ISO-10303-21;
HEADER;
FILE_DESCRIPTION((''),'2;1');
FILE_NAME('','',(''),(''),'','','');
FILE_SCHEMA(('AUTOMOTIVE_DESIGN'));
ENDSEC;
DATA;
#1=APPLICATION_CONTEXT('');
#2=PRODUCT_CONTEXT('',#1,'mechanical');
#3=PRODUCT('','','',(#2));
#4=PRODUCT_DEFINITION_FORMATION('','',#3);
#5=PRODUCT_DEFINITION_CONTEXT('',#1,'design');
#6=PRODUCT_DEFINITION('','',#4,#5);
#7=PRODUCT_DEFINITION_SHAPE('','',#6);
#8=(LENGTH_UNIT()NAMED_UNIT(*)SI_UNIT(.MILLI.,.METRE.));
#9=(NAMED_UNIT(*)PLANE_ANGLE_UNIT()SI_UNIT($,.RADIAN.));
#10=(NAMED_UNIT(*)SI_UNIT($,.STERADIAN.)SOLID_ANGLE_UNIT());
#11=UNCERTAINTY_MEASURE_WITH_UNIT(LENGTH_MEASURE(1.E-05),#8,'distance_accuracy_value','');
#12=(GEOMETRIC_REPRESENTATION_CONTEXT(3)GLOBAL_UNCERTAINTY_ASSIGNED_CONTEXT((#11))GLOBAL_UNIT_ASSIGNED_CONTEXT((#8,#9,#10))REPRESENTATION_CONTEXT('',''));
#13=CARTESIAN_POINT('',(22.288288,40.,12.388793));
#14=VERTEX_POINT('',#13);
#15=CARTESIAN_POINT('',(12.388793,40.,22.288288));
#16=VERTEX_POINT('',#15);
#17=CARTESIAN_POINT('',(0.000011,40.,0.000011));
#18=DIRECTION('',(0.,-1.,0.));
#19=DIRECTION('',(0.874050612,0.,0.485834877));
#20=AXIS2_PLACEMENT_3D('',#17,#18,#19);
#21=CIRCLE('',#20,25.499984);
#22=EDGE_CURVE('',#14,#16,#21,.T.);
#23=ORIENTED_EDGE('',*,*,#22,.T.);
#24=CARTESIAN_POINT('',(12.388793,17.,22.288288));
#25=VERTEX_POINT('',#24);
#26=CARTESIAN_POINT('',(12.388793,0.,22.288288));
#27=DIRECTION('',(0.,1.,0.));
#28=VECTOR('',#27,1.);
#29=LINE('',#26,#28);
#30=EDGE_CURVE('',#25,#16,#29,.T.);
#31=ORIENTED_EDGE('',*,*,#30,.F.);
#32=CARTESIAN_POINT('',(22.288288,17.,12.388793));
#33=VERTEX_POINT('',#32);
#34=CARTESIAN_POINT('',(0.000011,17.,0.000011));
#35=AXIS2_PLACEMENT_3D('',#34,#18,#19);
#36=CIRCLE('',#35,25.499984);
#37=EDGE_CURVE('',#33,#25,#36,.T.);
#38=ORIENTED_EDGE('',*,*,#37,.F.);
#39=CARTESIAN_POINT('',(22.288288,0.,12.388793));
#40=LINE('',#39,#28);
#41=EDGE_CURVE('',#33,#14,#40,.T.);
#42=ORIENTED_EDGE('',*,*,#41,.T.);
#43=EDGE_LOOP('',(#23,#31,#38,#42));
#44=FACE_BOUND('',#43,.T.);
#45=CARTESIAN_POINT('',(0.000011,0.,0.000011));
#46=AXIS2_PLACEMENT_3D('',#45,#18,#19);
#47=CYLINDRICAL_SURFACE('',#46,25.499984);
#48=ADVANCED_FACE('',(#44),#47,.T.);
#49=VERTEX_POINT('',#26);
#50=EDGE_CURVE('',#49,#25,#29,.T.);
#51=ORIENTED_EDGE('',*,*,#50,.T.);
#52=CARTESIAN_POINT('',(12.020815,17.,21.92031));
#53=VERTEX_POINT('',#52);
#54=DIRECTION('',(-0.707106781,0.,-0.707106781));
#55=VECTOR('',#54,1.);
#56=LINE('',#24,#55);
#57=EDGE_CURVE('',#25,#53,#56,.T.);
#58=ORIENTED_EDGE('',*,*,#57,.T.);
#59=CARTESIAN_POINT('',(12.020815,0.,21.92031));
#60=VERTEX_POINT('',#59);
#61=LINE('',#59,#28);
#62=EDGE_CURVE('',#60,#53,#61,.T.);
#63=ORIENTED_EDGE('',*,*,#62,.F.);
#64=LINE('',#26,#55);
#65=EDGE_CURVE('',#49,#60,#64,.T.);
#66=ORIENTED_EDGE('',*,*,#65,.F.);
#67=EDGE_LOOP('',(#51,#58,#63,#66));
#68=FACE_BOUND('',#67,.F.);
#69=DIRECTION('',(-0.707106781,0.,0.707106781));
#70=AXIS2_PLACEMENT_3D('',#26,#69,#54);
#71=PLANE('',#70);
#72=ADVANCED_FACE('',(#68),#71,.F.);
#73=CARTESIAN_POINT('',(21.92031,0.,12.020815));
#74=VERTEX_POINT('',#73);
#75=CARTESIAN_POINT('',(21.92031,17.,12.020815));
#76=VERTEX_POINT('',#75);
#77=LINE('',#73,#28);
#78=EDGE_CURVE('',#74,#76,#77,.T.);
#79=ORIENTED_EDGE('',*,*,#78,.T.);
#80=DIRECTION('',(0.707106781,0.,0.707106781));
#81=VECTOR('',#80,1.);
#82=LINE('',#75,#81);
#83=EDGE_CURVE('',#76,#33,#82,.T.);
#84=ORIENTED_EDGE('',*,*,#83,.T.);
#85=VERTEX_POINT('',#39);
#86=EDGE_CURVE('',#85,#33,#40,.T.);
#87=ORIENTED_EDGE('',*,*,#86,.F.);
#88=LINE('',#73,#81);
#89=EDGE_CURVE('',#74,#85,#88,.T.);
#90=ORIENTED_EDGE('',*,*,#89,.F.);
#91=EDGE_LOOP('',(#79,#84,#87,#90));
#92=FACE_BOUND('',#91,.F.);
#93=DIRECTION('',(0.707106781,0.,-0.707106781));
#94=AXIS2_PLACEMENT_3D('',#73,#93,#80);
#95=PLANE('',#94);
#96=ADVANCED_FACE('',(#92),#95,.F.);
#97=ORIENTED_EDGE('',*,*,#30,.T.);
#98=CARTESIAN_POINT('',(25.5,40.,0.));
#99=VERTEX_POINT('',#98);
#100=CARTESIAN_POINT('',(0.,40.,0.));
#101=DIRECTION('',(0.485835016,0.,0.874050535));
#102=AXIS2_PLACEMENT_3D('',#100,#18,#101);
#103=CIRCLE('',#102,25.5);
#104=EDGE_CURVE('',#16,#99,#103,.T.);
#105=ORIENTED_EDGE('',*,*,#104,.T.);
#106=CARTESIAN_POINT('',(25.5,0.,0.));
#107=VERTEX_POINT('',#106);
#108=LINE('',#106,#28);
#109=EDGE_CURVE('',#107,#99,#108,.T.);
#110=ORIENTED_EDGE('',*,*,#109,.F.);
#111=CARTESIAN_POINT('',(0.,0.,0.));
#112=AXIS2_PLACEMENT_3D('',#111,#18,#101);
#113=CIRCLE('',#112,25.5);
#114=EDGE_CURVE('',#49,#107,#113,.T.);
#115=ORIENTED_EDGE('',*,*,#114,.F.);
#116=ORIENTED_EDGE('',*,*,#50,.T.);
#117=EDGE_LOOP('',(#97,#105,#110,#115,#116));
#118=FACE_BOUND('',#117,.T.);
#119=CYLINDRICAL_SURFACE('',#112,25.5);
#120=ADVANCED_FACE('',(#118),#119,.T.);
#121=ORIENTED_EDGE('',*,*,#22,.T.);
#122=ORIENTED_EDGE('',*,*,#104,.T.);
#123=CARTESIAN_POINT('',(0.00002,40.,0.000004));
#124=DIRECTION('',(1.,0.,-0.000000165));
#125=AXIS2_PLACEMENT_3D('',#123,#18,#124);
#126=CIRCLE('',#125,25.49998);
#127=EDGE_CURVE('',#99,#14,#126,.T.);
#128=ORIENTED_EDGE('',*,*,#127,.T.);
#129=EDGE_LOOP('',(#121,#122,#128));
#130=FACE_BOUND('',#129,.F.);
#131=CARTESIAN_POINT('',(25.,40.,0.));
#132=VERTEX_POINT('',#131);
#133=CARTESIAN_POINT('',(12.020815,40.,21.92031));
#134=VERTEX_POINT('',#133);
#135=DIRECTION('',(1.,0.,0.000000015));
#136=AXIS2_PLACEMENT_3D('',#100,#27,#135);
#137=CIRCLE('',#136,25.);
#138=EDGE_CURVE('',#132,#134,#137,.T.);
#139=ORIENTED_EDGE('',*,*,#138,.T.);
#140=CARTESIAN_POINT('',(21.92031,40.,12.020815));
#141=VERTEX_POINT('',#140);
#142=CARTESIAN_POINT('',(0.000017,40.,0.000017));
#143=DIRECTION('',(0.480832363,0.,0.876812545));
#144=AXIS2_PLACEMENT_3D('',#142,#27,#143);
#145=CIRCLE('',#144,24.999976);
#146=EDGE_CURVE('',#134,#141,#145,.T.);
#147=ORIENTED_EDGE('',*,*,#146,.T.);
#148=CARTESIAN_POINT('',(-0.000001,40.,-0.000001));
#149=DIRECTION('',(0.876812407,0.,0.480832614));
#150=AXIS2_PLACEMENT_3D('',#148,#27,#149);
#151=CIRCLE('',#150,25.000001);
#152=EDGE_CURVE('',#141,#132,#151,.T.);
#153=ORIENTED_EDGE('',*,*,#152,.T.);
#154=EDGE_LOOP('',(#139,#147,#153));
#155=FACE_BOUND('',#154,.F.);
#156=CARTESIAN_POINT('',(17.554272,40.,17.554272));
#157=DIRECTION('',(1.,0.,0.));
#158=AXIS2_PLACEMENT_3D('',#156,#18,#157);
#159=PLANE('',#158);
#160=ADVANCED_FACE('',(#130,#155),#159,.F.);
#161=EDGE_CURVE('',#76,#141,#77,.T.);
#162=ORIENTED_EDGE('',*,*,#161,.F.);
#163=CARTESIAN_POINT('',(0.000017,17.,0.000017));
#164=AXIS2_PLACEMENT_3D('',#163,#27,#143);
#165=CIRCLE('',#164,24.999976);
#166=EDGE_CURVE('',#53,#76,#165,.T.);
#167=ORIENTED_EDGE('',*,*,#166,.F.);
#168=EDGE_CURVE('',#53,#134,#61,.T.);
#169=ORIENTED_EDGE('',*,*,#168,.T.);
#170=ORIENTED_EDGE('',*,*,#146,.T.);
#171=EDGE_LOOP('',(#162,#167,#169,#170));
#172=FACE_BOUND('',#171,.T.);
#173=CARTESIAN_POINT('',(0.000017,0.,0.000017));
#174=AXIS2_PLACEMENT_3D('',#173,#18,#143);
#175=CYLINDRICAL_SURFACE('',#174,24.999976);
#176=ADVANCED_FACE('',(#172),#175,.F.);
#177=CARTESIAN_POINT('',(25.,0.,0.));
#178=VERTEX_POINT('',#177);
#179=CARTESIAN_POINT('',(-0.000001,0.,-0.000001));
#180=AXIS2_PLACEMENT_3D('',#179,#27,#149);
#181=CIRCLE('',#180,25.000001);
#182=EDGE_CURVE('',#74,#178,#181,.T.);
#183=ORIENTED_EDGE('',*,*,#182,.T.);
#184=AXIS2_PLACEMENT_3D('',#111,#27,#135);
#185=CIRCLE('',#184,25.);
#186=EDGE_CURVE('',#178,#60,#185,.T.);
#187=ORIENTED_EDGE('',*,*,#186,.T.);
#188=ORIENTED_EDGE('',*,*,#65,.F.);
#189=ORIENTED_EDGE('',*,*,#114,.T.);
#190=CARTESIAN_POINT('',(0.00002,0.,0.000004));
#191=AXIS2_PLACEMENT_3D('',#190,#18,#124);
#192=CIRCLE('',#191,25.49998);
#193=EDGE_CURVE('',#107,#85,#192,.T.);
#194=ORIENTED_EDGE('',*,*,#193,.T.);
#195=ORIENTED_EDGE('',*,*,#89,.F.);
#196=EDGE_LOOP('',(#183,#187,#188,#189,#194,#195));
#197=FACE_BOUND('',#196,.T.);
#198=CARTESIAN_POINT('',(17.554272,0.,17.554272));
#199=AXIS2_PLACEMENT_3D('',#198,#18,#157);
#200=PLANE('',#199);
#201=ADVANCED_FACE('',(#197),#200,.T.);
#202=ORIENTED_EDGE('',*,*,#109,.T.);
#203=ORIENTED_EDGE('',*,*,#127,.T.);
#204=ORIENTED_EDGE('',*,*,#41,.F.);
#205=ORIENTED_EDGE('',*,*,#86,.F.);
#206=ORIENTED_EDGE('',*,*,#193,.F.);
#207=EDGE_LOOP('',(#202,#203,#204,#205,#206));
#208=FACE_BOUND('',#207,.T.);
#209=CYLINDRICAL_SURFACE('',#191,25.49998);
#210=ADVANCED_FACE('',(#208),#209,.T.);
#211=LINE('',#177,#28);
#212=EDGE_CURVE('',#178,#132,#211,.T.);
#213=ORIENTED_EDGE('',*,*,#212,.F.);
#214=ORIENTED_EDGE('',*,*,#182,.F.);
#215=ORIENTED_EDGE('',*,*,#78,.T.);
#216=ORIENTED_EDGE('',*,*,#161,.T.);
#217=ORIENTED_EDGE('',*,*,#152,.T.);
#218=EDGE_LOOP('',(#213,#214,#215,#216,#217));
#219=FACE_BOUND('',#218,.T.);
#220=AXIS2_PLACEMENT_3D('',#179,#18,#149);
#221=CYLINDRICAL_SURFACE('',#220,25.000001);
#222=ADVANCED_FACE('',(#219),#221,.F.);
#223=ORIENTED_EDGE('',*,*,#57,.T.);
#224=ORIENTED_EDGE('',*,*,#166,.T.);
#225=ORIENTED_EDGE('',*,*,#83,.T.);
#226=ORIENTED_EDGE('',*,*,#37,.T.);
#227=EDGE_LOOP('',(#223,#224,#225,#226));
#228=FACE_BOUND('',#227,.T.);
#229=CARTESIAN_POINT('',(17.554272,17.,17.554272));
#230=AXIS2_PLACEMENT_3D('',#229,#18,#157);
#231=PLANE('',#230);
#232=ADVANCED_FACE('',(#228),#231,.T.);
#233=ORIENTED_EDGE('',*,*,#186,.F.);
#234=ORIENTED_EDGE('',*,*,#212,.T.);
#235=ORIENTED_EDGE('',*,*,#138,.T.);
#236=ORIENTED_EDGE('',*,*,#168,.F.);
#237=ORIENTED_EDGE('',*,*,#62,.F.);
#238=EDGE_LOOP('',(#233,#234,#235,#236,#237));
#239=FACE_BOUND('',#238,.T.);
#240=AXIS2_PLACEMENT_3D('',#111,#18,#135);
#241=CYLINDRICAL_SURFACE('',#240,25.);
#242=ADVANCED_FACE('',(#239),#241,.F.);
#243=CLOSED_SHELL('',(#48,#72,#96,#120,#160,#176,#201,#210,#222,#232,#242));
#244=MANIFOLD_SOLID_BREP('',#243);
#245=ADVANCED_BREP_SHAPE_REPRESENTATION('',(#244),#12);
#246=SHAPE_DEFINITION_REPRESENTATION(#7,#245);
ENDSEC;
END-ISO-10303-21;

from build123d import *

# Parameters (mm, degrees)
F1_DEPTH = 40
F2_DEPTH = 40
F3_DEPTH = 17


with BuildPart() as f1:
    # F0 (on Front) → F1 (new body)
    with BuildSketch(Plane.XZ):
        with BuildLine():
            ThreePointArc((21.92031, 12.020815), (24.217842, 6.204524), (25, 0))
            ThreePointArc((25, 0), (-21.511862, -12.737339), (12.020815, 21.92031))
            Line((12.020815, 21.92031), (12.388793, 22.288288))
            ThreePointArc((12.388793, 22.288288), (-21.979129, -12.929342), (25.5, 0))
            ThreePointArc((25.5, 0), (24.684017, 6.399166), (22.288288, 12.388793))
            Line((22.288288, 12.388793), (21.92031, 12.020815))
        make_face()
    extrude(amount=-F1_DEPTH)

    # F0 (on Front) → F2 (join)
    with BuildSketch(Plane.XZ):
        with BuildLine():
            ThreePointArc((12.020815, 21.92031), (17.67767, 17.67767), (21.92031, 12.020815))
            Line((21.92031, 12.020815), (22.288288, 12.388793))
            ThreePointArc((22.288288, 12.388793), (18.031223, 18.031223), (12.388793, 22.288288))
            Line((12.388793, 22.288288), (12.020815, 21.92031))
        make_face()
    extrude(amount=-F2_DEPTH)

    # F0 (on Front) → F3 (cut)
    with BuildSketch(Plane.XZ):
        with BuildLine():
            ThreePointArc((12.020815, 21.92031), (17.67767, 17.67767), (21.92031, 12.020815))
            Line((21.92031, 12.020815), (22.288288, 12.388793))
            ThreePointArc((22.288288, 12.388793), (18.031223, 18.031223), (12.388793, 22.288288))
            Line((12.388793, 22.288288), (12.020815, 21.92031))
        make_face()
    extrude(amount=-F3_DEPTH, mode=Mode.SUBTRACT)


solid = f1.part
